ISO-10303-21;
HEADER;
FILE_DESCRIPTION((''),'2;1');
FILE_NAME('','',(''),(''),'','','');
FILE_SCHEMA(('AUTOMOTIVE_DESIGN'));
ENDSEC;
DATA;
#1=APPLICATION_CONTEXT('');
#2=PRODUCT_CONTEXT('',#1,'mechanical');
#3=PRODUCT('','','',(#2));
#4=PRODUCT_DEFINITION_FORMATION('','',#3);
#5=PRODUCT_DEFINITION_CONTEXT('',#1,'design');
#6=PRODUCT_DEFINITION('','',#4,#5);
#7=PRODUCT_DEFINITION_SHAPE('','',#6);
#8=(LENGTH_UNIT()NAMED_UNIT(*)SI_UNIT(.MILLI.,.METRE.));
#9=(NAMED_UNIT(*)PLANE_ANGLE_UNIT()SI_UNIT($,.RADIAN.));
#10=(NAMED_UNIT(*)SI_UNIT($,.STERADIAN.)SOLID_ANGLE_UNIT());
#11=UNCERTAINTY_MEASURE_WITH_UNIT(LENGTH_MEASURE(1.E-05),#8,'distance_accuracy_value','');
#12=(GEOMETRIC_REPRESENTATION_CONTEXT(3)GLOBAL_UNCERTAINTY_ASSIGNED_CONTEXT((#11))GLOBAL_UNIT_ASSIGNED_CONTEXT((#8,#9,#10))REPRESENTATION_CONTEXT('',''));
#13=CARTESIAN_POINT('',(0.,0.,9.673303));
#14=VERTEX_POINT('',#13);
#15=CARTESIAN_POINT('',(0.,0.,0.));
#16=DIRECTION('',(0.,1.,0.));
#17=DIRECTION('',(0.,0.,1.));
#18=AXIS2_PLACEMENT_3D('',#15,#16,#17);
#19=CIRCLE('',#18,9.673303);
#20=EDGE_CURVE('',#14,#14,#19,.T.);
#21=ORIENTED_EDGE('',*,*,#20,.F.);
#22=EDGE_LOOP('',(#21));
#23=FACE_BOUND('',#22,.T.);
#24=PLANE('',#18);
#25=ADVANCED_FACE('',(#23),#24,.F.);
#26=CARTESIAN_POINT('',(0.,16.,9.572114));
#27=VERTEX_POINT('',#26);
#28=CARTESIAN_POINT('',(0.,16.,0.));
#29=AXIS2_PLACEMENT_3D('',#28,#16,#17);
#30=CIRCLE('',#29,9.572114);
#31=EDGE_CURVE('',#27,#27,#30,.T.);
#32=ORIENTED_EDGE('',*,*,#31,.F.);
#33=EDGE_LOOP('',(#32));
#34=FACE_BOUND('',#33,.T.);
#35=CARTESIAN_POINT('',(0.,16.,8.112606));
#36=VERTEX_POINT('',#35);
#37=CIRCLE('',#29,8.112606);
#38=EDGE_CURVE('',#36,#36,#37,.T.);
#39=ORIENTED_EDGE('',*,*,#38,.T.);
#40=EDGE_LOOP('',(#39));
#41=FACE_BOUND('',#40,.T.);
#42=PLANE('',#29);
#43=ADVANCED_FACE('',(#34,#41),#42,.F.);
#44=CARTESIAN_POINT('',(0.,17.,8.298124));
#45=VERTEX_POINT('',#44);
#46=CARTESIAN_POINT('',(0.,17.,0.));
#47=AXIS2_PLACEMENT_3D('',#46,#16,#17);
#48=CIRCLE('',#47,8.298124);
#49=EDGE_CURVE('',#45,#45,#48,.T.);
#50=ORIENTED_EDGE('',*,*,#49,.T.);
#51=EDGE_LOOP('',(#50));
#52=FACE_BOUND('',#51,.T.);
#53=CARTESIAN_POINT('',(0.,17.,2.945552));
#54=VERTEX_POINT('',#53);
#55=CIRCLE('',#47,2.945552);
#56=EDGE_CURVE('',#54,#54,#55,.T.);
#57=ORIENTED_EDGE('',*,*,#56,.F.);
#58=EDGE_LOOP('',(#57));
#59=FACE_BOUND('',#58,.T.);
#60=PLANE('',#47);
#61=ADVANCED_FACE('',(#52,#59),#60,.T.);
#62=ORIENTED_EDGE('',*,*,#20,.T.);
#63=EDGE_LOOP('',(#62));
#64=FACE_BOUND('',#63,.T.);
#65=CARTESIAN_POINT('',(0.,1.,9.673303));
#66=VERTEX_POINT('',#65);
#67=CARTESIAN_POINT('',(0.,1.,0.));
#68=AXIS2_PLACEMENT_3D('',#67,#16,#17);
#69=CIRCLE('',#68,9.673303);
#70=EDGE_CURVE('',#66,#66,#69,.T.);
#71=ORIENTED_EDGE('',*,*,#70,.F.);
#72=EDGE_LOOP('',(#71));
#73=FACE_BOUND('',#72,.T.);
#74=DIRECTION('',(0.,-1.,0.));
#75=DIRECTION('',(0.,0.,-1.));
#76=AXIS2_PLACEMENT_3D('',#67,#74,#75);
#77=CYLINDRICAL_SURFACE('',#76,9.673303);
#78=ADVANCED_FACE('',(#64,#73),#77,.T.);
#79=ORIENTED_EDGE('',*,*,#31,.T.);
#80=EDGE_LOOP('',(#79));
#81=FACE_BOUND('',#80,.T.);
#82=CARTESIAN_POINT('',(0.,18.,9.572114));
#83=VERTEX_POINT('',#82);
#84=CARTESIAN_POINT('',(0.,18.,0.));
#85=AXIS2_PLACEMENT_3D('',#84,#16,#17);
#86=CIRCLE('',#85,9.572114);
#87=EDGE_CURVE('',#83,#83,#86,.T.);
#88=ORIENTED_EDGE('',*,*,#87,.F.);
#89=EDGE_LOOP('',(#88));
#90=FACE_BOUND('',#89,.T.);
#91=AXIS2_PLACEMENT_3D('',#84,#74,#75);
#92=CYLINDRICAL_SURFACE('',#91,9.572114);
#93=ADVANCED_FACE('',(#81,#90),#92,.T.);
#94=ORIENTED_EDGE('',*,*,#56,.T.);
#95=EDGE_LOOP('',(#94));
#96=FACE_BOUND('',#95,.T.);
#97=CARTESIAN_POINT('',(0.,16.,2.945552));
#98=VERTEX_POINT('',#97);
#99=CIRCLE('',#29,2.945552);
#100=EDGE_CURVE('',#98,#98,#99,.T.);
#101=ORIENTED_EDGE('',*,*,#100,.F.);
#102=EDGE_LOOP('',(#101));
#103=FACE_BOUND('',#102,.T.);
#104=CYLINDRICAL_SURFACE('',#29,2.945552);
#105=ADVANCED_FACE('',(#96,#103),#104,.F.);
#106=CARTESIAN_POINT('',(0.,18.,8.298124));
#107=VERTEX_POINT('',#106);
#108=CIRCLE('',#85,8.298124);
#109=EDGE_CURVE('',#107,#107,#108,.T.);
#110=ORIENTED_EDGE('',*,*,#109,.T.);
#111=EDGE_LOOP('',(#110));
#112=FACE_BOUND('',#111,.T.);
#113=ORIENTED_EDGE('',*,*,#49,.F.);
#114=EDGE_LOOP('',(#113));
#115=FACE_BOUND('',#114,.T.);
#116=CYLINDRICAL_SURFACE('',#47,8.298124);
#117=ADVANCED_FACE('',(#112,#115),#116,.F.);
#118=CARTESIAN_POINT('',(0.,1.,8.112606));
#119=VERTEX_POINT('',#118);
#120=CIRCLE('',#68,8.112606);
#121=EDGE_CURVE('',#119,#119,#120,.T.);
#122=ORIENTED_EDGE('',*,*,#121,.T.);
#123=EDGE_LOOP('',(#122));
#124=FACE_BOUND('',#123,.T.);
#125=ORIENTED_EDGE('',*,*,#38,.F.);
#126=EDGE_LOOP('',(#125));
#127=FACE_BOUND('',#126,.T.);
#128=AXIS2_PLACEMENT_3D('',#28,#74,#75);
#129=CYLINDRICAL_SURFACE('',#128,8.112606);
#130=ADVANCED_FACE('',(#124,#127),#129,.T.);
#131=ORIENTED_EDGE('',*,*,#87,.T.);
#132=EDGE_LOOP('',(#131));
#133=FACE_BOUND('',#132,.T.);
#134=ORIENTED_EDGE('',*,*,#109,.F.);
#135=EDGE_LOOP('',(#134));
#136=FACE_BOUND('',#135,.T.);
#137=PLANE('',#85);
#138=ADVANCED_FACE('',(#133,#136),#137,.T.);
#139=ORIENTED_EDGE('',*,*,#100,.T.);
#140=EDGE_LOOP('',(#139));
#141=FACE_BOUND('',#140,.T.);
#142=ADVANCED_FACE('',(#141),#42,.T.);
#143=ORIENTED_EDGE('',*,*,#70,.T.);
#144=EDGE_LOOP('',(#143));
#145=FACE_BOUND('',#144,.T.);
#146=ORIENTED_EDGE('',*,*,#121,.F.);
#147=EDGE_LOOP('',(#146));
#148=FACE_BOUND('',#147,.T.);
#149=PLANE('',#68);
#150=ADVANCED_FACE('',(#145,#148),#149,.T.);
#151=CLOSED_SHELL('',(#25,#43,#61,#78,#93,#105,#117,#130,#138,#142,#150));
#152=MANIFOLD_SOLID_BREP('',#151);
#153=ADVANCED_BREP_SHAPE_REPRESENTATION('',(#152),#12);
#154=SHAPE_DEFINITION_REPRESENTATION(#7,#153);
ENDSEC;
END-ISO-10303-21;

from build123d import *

# Parameters (mm, degrees)
SKETCH1_R           = 9.67330264
BOSS_EXTRUDE1_DEPTH = 1
SKETCH2_R           = 8.112606278
BOSS_EXTRUDE2_DEPTH = 15
SKETCH3_R           = 9.572114115
BOSS_EXTRUDE3_DEPTH = 2
SKETCH4_R           = 8.298124112
CUT_EXTRUDE2_DEPTH  = 1
SKETCH5_R           = 2.945552355
CUT_EXTRUDE3_DEPTH  = 1


with BuildPart() as part:
    # Sketch1 → Boss-Extrude1 (new body)
    with BuildSketch(Plane(origin=(0, 0, 0), x_dir=(1, 0, 0), z_dir=(0, 1, 0))):
        with Locations(Location((0, 0, 0), (0, 0, 270))):
            Circle(SKETCH1_R)
    extrude(amount=BOSS_EXTRUDE1_DEPTH)

    # Sketch2 → Boss-Extrude2 (add)
    with BuildSketch(Plane(origin=(0, 1, 0), x_dir=(1, 0, 0), z_dir=(0, 1, 0))):
        with Locations(Location((0, 0, 0), (0, 0, 270))):
            Circle(SKETCH2_R)
    extrude(amount=BOSS_EXTRUDE2_DEPTH)

    # Sketch3 → Boss-Extrude3 (add)
    with BuildSketch(Plane(origin=(0, 16, 0), x_dir=(1, 0, 0), z_dir=(0, 1, 0))):
        with Locations(Location((0, 0, 0), (0, 0, 270))):
            Circle(SKETCH3_R)
    extrude(amount=BOSS_EXTRUDE3_DEPTH)

    # Sketch4 → Cut-Extrude2 (cut)
    with BuildSketch(Plane(origin=(0, 18, 0), x_dir=(1, 0, 0), z_dir=(0, 1, 0))):
        with Locations(Location((0, 0, 0), (0, 0, 270))):
            Circle(SKETCH4_R)
    extrude(amount=-CUT_EXTRUDE2_DEPTH, mode=Mode.SUBTRACT)

    # Sketch5 → Cut-Extrude3 (cut)
    with BuildSketch(Plane(origin=(0, 17, 0), x_dir=(1, 0, 0), z_dir=(0, 1, 0))):
        with Locations(Location((0, 0, 0), (0, 0, 270))):
            Circle(SKETCH5_R)
    extrude(amount=-CUT_EXTRUDE3_DEPTH, mode=Mode.SUBTRACT)


solid = part.part
